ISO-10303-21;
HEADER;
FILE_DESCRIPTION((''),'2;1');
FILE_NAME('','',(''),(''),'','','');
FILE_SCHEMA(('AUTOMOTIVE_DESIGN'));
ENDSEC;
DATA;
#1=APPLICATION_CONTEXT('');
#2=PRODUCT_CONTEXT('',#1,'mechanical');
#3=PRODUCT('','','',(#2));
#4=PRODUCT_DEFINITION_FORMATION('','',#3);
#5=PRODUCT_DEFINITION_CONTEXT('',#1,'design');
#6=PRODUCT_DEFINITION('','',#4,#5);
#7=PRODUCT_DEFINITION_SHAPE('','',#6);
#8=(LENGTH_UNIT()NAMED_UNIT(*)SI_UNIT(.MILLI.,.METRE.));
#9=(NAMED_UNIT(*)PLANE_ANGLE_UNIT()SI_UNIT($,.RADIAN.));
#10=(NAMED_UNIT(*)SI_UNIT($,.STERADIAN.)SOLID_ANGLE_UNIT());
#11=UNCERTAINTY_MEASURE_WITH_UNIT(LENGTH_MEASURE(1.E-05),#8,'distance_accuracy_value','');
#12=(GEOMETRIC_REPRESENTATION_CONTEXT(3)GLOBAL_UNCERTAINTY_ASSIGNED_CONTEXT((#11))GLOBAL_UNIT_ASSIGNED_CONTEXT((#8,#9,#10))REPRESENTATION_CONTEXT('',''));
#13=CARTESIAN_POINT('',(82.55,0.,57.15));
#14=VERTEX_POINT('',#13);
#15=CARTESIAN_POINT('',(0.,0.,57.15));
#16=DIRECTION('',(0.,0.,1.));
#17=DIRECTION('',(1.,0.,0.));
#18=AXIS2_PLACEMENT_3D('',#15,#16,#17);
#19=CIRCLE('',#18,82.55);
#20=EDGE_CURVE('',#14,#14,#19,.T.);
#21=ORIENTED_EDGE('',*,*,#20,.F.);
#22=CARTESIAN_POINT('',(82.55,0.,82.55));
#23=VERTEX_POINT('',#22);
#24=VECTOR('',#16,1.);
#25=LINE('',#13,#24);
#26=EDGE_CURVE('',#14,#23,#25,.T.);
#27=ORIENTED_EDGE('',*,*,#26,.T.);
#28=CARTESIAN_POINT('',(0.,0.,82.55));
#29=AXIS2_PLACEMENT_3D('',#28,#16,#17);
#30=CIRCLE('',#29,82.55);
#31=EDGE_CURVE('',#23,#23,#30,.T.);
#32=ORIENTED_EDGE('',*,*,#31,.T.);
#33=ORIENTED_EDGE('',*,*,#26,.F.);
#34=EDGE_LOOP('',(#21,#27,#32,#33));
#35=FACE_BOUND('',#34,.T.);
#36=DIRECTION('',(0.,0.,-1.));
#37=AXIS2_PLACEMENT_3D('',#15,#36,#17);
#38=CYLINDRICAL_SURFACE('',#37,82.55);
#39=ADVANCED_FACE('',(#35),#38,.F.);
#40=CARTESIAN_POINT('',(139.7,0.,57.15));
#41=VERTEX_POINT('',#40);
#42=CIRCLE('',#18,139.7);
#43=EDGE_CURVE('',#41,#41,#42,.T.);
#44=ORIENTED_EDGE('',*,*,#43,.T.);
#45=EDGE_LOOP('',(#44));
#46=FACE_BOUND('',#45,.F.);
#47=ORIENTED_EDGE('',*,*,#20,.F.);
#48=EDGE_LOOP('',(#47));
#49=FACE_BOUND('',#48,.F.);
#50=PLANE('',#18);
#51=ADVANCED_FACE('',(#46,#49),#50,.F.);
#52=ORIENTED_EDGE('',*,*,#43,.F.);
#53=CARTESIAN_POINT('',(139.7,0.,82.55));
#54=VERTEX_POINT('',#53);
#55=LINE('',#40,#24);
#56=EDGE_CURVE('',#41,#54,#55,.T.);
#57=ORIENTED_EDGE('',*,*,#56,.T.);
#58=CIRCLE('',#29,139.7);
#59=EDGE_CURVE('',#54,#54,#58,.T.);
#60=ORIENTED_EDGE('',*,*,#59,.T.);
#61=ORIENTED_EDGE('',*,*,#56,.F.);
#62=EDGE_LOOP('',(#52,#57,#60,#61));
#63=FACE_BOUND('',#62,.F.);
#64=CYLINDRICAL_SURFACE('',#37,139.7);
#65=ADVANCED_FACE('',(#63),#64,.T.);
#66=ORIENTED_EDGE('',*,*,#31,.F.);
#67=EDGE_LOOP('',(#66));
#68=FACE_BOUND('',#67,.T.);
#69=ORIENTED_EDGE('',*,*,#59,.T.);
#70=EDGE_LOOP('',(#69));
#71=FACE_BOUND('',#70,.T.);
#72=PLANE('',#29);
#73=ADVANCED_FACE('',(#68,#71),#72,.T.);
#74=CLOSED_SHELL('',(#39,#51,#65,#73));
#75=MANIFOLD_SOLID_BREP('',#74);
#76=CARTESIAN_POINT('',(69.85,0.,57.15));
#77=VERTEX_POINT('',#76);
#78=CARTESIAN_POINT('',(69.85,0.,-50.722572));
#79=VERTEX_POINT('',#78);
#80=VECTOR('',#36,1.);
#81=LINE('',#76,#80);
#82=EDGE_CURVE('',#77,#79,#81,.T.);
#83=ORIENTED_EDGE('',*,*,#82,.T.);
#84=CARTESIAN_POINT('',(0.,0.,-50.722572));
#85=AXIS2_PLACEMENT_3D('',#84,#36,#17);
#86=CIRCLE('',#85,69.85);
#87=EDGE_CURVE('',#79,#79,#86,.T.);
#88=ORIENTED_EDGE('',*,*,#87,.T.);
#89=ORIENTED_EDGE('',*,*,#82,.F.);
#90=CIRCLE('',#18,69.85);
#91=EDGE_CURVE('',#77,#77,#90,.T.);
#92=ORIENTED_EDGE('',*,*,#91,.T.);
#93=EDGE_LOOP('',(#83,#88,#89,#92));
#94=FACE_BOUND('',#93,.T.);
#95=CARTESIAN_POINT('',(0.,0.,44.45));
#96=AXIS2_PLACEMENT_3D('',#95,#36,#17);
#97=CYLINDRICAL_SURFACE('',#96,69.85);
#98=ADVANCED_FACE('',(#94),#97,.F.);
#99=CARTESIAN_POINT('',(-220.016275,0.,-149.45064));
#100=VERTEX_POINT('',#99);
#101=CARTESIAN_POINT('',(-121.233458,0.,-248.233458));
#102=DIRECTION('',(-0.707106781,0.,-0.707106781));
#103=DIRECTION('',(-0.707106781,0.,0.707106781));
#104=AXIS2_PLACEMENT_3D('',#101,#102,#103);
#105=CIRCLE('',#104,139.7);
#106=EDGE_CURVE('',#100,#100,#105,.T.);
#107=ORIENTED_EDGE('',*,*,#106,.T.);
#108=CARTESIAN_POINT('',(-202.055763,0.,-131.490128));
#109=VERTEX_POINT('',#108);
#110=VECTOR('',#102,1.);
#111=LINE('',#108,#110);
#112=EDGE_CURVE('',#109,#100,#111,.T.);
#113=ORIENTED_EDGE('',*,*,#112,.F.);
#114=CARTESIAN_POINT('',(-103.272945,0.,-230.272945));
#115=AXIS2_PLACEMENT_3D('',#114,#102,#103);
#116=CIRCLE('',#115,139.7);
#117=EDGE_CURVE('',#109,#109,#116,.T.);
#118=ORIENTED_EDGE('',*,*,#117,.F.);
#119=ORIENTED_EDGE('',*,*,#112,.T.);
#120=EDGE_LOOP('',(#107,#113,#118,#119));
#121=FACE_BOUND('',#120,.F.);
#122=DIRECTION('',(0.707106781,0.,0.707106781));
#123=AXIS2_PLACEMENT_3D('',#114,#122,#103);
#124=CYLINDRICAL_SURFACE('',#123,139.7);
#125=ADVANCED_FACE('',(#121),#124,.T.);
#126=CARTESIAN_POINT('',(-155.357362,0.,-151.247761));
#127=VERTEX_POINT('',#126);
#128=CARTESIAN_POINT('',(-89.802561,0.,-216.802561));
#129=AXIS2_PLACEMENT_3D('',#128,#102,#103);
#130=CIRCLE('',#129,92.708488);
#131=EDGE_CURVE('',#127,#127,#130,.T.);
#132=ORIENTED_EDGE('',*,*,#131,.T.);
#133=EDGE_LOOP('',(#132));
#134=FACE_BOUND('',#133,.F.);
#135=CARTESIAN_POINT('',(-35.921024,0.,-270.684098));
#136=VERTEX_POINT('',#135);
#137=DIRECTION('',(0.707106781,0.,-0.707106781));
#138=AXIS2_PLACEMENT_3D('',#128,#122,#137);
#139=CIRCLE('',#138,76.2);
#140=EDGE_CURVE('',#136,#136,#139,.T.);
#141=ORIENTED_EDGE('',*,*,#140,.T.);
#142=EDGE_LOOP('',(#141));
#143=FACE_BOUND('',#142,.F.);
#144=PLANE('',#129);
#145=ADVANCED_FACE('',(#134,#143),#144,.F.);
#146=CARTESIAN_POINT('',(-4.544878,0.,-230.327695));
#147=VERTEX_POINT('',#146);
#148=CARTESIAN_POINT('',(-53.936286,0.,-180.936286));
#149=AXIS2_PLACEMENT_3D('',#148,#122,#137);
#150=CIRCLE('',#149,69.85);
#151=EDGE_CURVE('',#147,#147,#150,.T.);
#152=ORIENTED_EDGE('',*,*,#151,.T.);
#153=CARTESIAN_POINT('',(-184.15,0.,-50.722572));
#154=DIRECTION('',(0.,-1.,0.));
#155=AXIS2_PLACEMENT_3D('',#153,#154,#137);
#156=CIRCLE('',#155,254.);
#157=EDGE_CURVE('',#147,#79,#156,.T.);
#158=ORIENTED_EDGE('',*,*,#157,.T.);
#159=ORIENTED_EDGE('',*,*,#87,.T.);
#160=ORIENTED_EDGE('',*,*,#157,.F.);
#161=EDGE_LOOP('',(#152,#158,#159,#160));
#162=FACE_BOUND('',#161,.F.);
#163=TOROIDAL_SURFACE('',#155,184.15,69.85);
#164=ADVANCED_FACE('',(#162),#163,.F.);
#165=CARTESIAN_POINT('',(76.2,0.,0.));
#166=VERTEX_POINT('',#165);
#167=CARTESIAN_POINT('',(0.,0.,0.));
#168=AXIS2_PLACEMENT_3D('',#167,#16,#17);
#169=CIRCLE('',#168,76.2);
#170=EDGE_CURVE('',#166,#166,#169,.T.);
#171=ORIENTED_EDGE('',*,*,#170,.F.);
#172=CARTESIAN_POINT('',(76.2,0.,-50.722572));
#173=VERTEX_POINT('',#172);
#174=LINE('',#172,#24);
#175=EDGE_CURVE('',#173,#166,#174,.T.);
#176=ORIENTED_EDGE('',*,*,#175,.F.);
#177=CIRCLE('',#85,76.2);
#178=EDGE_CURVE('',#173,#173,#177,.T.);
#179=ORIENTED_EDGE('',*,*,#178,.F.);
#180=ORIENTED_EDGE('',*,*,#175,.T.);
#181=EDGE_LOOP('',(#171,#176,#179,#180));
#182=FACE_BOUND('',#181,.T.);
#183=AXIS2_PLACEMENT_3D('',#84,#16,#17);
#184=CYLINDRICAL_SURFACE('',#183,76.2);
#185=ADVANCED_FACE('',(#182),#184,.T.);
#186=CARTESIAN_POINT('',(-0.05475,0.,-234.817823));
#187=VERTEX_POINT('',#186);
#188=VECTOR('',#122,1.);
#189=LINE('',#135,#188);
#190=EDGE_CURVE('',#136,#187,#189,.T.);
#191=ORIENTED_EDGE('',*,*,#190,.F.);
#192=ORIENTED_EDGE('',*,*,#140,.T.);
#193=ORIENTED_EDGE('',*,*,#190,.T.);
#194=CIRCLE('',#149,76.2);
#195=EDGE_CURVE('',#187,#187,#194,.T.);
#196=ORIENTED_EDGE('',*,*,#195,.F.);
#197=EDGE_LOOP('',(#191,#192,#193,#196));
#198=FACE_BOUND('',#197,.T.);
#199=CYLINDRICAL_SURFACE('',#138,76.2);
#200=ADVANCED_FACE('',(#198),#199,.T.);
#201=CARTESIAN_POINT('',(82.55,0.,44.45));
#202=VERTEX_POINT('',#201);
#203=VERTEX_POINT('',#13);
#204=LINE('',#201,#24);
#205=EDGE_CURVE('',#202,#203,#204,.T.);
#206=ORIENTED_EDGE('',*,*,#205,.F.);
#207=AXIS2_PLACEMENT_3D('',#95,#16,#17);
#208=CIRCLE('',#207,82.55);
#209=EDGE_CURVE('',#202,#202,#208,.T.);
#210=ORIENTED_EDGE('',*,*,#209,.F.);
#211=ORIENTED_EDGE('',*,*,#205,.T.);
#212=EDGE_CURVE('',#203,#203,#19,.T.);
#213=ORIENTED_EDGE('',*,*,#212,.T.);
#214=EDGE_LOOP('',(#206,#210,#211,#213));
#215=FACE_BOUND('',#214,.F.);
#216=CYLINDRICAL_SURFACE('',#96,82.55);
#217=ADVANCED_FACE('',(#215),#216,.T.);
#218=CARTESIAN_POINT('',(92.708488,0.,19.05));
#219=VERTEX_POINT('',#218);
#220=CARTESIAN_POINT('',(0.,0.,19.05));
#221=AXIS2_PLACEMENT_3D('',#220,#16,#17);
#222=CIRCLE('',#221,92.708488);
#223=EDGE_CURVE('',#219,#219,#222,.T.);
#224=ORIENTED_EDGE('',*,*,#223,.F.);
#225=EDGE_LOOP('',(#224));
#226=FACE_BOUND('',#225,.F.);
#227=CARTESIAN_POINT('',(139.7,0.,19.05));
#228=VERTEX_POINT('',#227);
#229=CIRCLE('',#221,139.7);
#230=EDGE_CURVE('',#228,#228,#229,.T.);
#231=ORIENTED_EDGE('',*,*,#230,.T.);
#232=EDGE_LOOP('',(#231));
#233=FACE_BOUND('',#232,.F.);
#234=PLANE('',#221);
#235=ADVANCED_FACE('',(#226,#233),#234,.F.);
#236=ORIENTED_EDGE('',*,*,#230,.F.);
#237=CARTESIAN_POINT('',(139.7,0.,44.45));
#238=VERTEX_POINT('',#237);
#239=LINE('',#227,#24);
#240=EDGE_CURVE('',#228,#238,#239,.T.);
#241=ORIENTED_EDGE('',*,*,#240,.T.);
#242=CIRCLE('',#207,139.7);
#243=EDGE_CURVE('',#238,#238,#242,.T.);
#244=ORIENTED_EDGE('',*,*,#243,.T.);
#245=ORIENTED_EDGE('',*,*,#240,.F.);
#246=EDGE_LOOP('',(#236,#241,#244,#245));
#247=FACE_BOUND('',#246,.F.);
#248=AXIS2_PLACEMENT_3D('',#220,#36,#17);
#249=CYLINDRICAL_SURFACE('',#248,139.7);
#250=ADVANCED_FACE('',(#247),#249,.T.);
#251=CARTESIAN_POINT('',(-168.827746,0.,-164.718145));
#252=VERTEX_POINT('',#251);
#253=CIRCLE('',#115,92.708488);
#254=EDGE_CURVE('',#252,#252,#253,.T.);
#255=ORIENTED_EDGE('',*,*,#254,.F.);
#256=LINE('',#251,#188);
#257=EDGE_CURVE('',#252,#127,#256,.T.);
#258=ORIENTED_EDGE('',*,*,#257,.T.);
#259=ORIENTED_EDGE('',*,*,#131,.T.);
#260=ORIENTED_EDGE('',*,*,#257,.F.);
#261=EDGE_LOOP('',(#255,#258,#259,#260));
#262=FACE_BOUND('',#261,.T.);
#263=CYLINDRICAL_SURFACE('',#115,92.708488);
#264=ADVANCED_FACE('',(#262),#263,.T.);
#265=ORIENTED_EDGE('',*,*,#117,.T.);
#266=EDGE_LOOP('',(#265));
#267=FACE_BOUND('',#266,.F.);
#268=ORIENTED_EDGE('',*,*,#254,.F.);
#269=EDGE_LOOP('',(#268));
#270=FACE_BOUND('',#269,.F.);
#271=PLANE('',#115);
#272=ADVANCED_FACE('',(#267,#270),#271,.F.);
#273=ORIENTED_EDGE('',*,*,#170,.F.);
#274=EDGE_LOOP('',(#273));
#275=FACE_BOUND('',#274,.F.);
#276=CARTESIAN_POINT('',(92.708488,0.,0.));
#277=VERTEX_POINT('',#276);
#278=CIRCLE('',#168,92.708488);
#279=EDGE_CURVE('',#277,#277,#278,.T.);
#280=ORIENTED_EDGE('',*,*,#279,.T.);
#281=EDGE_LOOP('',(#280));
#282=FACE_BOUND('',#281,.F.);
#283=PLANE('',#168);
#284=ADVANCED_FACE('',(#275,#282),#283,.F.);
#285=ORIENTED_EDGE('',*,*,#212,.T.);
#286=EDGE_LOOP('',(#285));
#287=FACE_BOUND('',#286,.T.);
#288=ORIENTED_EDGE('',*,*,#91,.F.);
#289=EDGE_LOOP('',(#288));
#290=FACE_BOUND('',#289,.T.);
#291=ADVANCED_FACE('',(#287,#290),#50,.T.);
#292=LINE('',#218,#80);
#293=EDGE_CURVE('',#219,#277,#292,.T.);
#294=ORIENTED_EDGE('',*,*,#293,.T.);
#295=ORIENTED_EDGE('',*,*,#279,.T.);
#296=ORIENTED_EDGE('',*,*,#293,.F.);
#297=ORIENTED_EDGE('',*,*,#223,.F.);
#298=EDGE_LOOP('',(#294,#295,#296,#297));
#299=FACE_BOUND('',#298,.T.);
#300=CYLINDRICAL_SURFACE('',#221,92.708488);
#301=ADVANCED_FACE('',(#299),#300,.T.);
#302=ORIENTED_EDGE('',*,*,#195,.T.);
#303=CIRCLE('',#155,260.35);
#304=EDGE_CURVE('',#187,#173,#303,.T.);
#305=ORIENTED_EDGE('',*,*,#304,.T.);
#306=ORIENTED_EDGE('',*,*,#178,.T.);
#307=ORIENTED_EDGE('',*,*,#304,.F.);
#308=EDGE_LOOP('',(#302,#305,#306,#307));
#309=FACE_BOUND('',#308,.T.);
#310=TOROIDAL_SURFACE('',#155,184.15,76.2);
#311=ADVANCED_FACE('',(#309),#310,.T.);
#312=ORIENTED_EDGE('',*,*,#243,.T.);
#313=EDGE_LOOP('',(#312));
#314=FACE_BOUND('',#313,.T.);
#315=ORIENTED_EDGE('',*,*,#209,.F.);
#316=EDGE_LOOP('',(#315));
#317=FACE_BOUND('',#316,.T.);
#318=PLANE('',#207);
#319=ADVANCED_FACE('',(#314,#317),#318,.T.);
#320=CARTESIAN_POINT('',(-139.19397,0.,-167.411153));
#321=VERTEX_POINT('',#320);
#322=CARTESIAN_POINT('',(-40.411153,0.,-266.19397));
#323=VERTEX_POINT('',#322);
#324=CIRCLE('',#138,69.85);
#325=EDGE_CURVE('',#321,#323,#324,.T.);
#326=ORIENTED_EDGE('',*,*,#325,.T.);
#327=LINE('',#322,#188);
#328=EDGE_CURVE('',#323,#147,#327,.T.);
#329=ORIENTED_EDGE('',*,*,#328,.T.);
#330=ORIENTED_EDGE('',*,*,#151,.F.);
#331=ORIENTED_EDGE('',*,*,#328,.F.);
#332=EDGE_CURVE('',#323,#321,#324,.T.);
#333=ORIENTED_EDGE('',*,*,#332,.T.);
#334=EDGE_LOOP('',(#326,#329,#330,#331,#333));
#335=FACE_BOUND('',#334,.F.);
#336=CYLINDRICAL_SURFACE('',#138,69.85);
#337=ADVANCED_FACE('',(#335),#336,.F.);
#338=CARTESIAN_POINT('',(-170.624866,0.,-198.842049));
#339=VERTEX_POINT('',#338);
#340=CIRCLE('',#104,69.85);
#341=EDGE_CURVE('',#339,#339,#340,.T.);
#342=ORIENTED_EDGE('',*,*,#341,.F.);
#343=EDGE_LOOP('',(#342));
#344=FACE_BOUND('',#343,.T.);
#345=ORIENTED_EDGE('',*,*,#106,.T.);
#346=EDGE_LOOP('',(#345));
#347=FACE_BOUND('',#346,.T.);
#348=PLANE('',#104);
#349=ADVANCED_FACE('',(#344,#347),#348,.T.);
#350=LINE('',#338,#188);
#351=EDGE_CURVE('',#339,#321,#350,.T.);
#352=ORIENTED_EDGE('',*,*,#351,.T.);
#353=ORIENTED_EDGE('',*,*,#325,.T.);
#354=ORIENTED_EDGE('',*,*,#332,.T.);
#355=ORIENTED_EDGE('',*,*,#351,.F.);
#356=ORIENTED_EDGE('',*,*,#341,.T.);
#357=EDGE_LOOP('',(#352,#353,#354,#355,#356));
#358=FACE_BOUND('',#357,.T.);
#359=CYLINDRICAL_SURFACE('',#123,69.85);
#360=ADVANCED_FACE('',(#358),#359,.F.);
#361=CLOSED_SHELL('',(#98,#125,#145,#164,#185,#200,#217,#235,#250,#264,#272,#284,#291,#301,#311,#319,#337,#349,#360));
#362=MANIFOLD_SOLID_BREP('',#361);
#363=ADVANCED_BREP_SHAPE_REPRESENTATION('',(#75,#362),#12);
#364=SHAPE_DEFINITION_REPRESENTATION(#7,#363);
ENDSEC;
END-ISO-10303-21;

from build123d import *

# Parameters (mm, degrees)
F0_R      = 76.2
F0_R_2    = 69.85
F1_DEPTH  = 19.05
F2_R      = 139.7
F2_R_2    = 92.7084880465
F2_R_3    = 76.2
F2_R_4    = 69.85
F3_DEPTH  = 25.4
F4_DEPTH  = 19.05
F9_ANGLE  = 135
F10_R     = 82.55
F10_R_2   = 69.85
F11_DEPTH = 12.7
F12_R     = 139.7
F12_R_2   = 82.55
F13_DEPTH = 25.4


with BuildPart() as f1:
    # F0 (on Top) → F1 (new body)
    with BuildSketch(Plane.XY):
        Circle(F0_R)
        Circle(F0_R_2, mode=Mode.SUBTRACT)
    extrude(amount=F1_DEPTH)

    # F2 (on face) → F3 (join)
    with BuildSketch(Plane.XY.offset(19.05)):
        Circle(F2_R)
        Circle(F2_R_2, mode=Mode.SUBTRACT)
        Circle(F2_R_2)
        Circle(F2_R_3, mode=Mode.SUBTRACT)
        Circle(F2_R_3)
        Circle(F2_R_4, mode=Mode.SUBTRACT)
    extrude(amount=F3_DEPTH)

    # F2 (on face) → F4 (join)
    with BuildSketch(Plane.XY.offset(19.05)):
        Circle(F2_R_2)
        Circle(F2_R_3, mode=Mode.SUBTRACT)
    extrude(amount=-F4_DEPTH)


with BuildPart() as f6:
    # F6: sweep along a path in F5
    with BuildLine(Plane.XZ) as f6_path:
        Line((-89.8025612107, -216.8025612107), (-53.9362862445, -180.9362862445))
        ThreePointArc((-53.9362862445, -180.9362862445), (-14.017584088, -121.193726559), (0, -50.722572489))
        Line((0, -50.722572489), (0, 0))
    # F0 (on Top) → F6 (sweep)
    with BuildSketch(Plane.XY):
        Circle(F0_R)
        Circle(F0_R_2, mode=Mode.SUBTRACT)
    sweep(path=f6_path.line)


with BuildPart() as f8_1:
    # F8: copy of F1
    add(f1.part.moved(Location((-89.8025612107, 0, -216.8025612107))))


with BuildPart() as f8_1_1:
    # F9: moved
    add(f8_1.part.rotate(Axis((-89.8025612107, -171.9250977039, -216.8025612107), (0, -1, 0)), F9_ANGLE))


with BuildPart() as f1_1:
    add(f1.part)

    add(f6.part)  # F11 merges F6

    add(f8_1_1.part)  # F11 merges F8_1
    # F10 (on face) → F11 (join)
    with BuildSketch(Plane.XY.offset(44.45)):
        Circle(F10_R)
        Circle(F10_R_2, mode=Mode.SUBTRACT)
    extrude(amount=F11_DEPTH)

    # F12 (on face) → F13 (join)
    with BuildSketch(Plane.XY.offset(57.15)):
        Circle(F12_R)
        Circle(F12_R_2, mode=Mode.SUBTRACT)
    extrude(amount=F13_DEPTH)


solid = f1_1.part
